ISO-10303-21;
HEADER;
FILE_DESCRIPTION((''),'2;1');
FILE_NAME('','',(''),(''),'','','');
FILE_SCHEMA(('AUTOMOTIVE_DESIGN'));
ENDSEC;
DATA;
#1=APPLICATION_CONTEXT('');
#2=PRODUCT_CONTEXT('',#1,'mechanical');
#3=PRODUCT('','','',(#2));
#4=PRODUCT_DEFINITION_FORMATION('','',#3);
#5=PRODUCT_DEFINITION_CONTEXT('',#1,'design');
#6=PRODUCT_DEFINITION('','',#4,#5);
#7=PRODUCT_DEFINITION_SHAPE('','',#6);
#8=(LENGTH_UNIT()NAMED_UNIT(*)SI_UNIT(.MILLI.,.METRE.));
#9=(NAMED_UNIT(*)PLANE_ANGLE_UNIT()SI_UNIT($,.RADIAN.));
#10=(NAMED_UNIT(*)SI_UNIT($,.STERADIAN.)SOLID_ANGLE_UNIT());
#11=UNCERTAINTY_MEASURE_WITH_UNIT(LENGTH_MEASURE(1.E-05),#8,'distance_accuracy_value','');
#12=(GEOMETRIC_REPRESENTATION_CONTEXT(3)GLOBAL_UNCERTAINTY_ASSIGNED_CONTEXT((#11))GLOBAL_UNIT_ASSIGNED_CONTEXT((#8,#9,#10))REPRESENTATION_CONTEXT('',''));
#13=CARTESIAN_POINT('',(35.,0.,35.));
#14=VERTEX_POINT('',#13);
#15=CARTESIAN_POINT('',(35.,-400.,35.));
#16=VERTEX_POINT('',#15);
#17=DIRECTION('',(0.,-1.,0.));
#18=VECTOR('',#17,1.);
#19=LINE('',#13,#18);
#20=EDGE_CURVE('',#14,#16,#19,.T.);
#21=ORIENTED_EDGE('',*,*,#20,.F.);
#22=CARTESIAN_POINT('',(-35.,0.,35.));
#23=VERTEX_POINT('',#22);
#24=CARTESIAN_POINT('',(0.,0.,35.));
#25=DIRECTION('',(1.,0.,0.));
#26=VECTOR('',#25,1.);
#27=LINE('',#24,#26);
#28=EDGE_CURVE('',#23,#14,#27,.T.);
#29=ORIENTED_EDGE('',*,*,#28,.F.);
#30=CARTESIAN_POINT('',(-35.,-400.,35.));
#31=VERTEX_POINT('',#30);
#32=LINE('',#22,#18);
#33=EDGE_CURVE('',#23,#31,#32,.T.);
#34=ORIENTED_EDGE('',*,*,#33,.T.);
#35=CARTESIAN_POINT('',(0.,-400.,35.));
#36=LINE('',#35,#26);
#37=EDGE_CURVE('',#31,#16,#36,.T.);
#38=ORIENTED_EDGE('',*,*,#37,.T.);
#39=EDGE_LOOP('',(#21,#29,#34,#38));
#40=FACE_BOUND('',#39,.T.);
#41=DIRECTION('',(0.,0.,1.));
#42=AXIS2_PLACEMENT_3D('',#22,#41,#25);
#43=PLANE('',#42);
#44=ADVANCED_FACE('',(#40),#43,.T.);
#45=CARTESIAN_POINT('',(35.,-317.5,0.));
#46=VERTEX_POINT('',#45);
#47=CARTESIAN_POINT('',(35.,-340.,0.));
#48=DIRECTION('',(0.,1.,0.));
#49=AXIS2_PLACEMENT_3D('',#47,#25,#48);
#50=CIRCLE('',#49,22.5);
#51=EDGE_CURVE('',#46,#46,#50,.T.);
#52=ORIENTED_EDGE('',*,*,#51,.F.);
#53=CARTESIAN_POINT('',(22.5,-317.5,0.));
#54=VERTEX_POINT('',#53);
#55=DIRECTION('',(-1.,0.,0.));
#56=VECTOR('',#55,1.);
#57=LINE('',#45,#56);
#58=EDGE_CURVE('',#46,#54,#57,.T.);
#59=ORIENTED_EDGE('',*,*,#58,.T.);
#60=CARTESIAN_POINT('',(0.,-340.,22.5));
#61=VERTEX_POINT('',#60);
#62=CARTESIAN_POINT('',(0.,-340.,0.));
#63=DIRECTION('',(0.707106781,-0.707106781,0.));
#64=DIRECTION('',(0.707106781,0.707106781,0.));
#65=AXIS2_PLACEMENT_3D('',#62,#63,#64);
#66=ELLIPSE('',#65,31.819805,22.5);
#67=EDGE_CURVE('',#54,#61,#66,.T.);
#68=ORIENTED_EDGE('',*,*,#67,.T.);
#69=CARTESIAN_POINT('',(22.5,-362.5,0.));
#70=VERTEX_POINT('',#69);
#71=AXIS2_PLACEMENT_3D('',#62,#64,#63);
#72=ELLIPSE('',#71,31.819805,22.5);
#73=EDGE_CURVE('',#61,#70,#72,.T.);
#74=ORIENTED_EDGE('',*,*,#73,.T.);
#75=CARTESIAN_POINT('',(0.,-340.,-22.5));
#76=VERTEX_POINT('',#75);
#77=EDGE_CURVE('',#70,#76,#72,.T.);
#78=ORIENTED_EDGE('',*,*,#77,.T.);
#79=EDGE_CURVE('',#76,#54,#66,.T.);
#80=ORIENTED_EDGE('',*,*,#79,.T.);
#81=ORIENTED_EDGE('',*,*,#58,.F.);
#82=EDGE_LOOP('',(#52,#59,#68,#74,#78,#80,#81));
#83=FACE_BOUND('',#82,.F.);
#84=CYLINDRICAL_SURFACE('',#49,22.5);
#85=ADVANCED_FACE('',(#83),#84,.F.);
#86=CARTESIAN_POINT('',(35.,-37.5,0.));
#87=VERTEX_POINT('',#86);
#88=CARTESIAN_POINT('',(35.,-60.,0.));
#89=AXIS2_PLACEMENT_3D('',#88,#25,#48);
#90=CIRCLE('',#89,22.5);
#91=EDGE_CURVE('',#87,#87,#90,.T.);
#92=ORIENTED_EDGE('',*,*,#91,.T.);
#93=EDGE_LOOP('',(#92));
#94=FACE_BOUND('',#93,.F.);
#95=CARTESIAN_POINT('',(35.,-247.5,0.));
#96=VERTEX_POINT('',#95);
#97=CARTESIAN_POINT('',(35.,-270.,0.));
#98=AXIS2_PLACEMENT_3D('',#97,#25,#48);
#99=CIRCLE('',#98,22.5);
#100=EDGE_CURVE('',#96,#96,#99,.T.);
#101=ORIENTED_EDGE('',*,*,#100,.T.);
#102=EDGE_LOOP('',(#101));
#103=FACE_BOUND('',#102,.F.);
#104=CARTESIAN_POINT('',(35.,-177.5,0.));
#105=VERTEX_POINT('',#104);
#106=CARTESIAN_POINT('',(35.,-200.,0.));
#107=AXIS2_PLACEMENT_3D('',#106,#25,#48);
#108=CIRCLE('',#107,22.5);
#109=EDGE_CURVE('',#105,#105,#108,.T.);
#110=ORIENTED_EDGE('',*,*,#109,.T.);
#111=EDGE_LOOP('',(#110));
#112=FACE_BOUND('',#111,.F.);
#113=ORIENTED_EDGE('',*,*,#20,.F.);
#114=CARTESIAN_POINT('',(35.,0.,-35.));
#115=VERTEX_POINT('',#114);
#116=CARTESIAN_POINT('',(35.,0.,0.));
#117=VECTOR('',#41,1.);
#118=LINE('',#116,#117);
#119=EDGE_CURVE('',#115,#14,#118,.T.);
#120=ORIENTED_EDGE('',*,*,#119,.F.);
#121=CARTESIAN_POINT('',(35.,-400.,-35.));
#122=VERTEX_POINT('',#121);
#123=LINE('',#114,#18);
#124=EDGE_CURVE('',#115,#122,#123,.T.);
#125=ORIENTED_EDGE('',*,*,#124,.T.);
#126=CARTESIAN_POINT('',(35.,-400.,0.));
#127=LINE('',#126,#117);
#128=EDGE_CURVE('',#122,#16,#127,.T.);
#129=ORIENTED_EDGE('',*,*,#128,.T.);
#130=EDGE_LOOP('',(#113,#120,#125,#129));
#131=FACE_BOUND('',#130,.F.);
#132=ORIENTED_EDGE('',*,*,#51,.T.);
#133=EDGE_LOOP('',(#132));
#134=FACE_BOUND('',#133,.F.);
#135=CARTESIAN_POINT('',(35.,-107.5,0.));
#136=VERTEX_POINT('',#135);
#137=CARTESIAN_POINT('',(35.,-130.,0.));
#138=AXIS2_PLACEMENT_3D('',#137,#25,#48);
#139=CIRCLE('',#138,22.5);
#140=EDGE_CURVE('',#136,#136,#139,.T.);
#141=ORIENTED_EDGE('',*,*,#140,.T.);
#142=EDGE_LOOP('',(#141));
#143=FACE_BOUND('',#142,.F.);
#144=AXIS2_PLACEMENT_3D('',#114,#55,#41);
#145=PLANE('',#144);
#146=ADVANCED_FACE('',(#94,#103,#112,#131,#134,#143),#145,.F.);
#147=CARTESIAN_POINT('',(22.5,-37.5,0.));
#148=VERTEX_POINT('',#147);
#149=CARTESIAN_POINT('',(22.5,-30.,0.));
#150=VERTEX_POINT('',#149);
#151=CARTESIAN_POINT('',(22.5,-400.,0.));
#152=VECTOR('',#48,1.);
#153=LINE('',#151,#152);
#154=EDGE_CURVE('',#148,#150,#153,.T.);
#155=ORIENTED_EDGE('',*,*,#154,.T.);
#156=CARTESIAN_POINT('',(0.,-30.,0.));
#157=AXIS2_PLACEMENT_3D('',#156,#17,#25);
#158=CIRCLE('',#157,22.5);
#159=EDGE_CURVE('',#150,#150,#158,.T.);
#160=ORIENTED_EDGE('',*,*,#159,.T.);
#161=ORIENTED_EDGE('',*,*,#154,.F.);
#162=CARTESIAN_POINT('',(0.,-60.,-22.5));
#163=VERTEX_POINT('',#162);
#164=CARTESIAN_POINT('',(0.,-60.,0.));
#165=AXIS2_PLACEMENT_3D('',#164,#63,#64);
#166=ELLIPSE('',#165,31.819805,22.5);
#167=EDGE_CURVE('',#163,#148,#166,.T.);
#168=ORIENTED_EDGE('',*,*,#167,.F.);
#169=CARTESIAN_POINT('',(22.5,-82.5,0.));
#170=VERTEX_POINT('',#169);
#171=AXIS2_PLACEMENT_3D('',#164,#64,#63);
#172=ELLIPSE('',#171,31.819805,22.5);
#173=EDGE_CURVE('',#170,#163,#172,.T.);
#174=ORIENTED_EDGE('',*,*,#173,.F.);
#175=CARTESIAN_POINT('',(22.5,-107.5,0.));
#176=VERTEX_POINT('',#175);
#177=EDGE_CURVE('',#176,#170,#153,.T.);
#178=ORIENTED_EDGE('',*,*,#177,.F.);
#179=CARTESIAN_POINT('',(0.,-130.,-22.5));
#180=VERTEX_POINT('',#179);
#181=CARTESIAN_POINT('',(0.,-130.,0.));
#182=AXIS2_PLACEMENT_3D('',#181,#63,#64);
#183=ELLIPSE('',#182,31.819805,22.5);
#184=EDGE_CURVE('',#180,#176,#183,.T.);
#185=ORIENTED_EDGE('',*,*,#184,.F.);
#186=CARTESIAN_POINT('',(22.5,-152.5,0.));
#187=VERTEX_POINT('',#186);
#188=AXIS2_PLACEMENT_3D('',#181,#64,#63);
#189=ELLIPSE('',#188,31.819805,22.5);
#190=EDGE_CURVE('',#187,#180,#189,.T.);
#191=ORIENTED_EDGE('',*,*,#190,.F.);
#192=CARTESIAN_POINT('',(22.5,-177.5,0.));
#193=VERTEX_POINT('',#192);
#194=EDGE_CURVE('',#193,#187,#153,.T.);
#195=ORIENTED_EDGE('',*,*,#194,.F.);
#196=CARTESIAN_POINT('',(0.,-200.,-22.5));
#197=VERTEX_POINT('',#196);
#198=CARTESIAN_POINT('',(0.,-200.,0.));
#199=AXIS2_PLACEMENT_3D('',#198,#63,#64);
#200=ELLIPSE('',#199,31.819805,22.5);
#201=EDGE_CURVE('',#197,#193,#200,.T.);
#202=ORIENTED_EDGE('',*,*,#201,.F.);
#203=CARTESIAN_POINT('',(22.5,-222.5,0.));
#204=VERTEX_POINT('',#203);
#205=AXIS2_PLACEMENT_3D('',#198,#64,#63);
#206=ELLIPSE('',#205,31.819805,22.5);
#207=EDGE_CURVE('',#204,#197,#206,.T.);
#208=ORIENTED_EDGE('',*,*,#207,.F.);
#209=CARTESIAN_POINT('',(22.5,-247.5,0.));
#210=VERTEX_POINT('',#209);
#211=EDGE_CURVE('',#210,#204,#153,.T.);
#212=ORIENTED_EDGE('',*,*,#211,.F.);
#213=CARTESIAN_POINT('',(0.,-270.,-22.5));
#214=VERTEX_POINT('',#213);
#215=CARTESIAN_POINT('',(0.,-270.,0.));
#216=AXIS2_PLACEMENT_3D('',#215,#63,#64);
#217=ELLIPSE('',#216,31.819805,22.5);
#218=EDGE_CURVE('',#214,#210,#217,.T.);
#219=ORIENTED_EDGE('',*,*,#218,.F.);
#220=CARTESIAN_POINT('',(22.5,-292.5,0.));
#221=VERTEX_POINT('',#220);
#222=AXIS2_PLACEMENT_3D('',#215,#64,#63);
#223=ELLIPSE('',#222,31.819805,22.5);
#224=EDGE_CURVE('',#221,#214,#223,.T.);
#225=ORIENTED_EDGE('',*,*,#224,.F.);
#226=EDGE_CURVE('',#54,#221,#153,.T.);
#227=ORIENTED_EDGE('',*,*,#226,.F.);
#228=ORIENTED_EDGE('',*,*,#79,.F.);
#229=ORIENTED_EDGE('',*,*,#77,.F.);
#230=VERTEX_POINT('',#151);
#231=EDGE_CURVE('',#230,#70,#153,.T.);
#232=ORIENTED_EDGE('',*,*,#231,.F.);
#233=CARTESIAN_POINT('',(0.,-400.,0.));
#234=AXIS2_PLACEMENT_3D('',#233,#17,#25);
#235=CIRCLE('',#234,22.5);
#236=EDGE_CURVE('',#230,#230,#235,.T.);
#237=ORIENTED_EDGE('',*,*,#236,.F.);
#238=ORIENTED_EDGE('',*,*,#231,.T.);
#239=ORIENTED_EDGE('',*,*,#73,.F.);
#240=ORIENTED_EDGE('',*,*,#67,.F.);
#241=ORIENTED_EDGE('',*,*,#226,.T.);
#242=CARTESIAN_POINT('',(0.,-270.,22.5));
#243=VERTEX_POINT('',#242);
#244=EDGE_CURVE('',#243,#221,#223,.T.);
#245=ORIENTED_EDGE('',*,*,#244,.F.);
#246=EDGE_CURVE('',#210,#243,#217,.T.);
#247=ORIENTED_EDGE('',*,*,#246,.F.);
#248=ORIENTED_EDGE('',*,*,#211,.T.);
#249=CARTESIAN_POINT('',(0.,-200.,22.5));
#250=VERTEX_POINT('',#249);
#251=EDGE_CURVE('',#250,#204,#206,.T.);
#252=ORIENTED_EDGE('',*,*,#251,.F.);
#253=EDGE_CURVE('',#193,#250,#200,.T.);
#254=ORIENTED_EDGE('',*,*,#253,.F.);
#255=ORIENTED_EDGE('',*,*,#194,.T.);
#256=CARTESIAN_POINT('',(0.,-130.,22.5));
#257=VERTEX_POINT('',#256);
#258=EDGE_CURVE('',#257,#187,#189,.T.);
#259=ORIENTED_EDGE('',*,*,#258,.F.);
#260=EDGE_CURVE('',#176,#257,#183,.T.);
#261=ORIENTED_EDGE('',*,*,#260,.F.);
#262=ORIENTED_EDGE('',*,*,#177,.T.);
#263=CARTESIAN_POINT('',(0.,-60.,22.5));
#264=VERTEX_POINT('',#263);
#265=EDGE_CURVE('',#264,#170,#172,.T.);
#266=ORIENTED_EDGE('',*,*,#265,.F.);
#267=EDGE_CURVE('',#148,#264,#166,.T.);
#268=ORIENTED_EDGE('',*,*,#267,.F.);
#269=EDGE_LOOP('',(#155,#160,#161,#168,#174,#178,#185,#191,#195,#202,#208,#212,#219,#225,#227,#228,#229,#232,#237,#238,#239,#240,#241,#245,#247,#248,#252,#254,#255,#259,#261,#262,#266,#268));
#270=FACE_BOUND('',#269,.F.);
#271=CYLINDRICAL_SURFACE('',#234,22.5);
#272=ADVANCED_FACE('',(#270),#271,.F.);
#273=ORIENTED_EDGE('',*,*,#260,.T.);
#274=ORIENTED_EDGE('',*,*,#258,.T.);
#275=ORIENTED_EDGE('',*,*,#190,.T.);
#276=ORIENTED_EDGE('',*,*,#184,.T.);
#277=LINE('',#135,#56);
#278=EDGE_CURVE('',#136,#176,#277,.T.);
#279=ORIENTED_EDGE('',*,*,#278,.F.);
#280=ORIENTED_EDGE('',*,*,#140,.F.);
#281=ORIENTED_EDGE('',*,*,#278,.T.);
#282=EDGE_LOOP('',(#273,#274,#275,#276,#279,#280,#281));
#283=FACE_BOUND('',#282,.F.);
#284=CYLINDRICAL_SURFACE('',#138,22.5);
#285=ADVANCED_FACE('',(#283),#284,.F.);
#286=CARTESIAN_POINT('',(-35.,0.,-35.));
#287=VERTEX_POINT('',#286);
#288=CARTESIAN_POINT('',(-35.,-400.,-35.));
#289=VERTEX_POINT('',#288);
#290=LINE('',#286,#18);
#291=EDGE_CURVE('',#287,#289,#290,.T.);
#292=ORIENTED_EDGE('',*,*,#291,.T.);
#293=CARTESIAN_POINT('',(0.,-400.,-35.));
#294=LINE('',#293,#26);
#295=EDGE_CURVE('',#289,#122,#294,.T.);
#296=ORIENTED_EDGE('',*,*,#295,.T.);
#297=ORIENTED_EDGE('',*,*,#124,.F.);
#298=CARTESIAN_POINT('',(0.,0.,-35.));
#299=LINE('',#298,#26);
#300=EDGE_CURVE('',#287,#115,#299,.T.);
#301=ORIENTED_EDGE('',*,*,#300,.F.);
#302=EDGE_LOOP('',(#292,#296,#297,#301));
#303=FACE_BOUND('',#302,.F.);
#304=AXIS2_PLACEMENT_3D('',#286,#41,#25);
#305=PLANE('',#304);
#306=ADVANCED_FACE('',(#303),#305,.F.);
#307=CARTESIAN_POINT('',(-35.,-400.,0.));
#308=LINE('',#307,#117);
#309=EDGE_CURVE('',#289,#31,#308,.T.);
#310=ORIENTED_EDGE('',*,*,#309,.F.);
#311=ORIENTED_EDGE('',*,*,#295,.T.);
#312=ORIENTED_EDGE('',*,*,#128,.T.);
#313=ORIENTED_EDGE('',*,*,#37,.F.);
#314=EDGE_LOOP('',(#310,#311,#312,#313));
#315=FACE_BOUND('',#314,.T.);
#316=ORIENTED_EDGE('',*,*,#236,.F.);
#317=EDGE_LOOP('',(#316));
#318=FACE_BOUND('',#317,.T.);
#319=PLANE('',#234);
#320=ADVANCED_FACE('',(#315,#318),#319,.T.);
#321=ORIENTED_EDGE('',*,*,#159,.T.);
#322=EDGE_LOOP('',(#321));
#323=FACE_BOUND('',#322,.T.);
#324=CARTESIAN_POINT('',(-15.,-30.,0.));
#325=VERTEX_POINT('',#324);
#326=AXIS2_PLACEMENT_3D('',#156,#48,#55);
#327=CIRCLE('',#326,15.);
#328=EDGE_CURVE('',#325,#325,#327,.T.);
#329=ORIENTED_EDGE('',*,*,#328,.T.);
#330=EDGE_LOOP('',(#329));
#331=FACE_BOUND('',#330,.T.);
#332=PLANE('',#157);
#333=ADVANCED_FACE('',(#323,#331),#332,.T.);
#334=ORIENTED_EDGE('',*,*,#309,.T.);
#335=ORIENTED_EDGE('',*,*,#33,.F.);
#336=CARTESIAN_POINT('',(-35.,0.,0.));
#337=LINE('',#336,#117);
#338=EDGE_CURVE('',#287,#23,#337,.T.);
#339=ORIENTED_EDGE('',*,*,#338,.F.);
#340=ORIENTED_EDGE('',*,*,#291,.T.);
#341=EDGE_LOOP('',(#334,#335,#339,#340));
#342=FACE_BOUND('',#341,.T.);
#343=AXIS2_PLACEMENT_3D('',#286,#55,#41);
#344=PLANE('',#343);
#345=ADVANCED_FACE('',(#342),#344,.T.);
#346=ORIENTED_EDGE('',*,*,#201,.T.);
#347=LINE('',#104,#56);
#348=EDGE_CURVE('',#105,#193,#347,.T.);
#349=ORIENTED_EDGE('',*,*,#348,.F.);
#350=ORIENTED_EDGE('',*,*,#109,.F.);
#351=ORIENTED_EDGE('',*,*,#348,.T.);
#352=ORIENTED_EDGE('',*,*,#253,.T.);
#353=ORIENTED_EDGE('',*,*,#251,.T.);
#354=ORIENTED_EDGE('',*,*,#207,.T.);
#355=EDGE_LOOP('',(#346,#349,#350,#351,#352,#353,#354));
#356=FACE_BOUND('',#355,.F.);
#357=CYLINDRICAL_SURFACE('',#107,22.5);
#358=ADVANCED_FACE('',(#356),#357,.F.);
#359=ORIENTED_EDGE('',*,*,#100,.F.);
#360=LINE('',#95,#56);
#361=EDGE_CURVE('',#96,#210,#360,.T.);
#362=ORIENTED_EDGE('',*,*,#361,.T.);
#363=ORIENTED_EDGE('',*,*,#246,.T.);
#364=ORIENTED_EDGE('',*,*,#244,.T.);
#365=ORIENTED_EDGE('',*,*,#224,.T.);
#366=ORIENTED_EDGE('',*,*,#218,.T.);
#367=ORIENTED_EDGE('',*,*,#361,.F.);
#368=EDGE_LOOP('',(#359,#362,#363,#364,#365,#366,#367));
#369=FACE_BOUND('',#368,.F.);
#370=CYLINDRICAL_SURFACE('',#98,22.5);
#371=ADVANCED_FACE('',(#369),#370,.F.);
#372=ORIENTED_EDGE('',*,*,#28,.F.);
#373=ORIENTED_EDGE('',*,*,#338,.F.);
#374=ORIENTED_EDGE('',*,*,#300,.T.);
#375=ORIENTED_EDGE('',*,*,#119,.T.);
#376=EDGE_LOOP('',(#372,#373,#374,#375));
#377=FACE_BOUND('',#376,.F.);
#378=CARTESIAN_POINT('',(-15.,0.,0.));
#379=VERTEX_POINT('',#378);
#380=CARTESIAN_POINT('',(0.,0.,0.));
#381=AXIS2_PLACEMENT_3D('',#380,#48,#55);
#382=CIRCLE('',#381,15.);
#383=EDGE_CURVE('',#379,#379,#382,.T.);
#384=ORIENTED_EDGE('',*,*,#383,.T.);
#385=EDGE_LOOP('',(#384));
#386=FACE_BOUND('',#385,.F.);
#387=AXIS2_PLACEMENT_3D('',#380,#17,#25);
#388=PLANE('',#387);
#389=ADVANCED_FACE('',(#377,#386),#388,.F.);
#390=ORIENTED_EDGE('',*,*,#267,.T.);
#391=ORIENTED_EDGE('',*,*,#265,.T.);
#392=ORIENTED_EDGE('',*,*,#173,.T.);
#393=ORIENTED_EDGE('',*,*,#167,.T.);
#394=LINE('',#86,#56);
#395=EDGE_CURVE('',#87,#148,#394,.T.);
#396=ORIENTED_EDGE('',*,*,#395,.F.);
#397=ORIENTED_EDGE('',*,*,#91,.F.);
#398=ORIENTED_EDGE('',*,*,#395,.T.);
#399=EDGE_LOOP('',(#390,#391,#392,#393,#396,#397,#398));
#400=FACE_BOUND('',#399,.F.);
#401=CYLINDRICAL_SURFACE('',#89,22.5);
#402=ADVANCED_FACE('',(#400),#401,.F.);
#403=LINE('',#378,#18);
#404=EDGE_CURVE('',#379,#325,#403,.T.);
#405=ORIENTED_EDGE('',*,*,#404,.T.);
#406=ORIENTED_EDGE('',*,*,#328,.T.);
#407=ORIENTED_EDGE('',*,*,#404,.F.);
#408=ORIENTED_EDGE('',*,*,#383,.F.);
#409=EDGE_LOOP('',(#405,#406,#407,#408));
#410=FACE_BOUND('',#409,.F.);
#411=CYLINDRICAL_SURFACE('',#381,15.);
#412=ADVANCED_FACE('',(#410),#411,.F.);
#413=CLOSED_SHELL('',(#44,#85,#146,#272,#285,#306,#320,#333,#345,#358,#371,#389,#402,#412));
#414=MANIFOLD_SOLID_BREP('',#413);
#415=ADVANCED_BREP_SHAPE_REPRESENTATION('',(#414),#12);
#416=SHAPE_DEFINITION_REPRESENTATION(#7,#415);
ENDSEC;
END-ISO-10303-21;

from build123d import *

# Parameters (mm, degrees)
F0_W     = 70
F0_H     = 70
F1_DEPTH = 400
F2_R     = 22.5
F3_DEPTH = 35
F4_R     = 22.5
F5_DEPTH = 370
F6_R     = 15
F7_DEPTH = 45


with BuildPart() as f1:
    # F0 (on Front) → F1 (new body)
    with BuildSketch(Plane.XZ):
        Rectangle(F0_W, F0_H)
    extrude(amount=F1_DEPTH)

    # F2 (on face) → F3 (cut)
    with BuildSketch(Plane.YZ.offset(35)):
        with Locations((-340, 0)):
            Circle(F2_R)
        with Locations((-270, 0)):
            Circle(F2_R)
        with Locations((-200, 0)):
            Circle(F2_R)
        with Locations((-130, 0)):
            Circle(F2_R)
        with Locations((-60, 0)):
            Circle(F2_R)
    extrude(amount=-F3_DEPTH, mode=Mode.SUBTRACT)

    # F4 (on face) → F5 (cut)
    with BuildSketch(Plane.XZ.offset(400)):
        Circle(F4_R)
    extrude(amount=-F5_DEPTH, mode=Mode.SUBTRACT)

    # F6 (on face) → F7 (cut)
    with BuildSketch(Plane(origin=(0, 0, 0), x_dir=(-1, 0, 0), z_dir=(0, 1, 0))):
        Circle(F6_R)
    extrude(amount=-F7_DEPTH, mode=Mode.SUBTRACT)


solid = f1.part
